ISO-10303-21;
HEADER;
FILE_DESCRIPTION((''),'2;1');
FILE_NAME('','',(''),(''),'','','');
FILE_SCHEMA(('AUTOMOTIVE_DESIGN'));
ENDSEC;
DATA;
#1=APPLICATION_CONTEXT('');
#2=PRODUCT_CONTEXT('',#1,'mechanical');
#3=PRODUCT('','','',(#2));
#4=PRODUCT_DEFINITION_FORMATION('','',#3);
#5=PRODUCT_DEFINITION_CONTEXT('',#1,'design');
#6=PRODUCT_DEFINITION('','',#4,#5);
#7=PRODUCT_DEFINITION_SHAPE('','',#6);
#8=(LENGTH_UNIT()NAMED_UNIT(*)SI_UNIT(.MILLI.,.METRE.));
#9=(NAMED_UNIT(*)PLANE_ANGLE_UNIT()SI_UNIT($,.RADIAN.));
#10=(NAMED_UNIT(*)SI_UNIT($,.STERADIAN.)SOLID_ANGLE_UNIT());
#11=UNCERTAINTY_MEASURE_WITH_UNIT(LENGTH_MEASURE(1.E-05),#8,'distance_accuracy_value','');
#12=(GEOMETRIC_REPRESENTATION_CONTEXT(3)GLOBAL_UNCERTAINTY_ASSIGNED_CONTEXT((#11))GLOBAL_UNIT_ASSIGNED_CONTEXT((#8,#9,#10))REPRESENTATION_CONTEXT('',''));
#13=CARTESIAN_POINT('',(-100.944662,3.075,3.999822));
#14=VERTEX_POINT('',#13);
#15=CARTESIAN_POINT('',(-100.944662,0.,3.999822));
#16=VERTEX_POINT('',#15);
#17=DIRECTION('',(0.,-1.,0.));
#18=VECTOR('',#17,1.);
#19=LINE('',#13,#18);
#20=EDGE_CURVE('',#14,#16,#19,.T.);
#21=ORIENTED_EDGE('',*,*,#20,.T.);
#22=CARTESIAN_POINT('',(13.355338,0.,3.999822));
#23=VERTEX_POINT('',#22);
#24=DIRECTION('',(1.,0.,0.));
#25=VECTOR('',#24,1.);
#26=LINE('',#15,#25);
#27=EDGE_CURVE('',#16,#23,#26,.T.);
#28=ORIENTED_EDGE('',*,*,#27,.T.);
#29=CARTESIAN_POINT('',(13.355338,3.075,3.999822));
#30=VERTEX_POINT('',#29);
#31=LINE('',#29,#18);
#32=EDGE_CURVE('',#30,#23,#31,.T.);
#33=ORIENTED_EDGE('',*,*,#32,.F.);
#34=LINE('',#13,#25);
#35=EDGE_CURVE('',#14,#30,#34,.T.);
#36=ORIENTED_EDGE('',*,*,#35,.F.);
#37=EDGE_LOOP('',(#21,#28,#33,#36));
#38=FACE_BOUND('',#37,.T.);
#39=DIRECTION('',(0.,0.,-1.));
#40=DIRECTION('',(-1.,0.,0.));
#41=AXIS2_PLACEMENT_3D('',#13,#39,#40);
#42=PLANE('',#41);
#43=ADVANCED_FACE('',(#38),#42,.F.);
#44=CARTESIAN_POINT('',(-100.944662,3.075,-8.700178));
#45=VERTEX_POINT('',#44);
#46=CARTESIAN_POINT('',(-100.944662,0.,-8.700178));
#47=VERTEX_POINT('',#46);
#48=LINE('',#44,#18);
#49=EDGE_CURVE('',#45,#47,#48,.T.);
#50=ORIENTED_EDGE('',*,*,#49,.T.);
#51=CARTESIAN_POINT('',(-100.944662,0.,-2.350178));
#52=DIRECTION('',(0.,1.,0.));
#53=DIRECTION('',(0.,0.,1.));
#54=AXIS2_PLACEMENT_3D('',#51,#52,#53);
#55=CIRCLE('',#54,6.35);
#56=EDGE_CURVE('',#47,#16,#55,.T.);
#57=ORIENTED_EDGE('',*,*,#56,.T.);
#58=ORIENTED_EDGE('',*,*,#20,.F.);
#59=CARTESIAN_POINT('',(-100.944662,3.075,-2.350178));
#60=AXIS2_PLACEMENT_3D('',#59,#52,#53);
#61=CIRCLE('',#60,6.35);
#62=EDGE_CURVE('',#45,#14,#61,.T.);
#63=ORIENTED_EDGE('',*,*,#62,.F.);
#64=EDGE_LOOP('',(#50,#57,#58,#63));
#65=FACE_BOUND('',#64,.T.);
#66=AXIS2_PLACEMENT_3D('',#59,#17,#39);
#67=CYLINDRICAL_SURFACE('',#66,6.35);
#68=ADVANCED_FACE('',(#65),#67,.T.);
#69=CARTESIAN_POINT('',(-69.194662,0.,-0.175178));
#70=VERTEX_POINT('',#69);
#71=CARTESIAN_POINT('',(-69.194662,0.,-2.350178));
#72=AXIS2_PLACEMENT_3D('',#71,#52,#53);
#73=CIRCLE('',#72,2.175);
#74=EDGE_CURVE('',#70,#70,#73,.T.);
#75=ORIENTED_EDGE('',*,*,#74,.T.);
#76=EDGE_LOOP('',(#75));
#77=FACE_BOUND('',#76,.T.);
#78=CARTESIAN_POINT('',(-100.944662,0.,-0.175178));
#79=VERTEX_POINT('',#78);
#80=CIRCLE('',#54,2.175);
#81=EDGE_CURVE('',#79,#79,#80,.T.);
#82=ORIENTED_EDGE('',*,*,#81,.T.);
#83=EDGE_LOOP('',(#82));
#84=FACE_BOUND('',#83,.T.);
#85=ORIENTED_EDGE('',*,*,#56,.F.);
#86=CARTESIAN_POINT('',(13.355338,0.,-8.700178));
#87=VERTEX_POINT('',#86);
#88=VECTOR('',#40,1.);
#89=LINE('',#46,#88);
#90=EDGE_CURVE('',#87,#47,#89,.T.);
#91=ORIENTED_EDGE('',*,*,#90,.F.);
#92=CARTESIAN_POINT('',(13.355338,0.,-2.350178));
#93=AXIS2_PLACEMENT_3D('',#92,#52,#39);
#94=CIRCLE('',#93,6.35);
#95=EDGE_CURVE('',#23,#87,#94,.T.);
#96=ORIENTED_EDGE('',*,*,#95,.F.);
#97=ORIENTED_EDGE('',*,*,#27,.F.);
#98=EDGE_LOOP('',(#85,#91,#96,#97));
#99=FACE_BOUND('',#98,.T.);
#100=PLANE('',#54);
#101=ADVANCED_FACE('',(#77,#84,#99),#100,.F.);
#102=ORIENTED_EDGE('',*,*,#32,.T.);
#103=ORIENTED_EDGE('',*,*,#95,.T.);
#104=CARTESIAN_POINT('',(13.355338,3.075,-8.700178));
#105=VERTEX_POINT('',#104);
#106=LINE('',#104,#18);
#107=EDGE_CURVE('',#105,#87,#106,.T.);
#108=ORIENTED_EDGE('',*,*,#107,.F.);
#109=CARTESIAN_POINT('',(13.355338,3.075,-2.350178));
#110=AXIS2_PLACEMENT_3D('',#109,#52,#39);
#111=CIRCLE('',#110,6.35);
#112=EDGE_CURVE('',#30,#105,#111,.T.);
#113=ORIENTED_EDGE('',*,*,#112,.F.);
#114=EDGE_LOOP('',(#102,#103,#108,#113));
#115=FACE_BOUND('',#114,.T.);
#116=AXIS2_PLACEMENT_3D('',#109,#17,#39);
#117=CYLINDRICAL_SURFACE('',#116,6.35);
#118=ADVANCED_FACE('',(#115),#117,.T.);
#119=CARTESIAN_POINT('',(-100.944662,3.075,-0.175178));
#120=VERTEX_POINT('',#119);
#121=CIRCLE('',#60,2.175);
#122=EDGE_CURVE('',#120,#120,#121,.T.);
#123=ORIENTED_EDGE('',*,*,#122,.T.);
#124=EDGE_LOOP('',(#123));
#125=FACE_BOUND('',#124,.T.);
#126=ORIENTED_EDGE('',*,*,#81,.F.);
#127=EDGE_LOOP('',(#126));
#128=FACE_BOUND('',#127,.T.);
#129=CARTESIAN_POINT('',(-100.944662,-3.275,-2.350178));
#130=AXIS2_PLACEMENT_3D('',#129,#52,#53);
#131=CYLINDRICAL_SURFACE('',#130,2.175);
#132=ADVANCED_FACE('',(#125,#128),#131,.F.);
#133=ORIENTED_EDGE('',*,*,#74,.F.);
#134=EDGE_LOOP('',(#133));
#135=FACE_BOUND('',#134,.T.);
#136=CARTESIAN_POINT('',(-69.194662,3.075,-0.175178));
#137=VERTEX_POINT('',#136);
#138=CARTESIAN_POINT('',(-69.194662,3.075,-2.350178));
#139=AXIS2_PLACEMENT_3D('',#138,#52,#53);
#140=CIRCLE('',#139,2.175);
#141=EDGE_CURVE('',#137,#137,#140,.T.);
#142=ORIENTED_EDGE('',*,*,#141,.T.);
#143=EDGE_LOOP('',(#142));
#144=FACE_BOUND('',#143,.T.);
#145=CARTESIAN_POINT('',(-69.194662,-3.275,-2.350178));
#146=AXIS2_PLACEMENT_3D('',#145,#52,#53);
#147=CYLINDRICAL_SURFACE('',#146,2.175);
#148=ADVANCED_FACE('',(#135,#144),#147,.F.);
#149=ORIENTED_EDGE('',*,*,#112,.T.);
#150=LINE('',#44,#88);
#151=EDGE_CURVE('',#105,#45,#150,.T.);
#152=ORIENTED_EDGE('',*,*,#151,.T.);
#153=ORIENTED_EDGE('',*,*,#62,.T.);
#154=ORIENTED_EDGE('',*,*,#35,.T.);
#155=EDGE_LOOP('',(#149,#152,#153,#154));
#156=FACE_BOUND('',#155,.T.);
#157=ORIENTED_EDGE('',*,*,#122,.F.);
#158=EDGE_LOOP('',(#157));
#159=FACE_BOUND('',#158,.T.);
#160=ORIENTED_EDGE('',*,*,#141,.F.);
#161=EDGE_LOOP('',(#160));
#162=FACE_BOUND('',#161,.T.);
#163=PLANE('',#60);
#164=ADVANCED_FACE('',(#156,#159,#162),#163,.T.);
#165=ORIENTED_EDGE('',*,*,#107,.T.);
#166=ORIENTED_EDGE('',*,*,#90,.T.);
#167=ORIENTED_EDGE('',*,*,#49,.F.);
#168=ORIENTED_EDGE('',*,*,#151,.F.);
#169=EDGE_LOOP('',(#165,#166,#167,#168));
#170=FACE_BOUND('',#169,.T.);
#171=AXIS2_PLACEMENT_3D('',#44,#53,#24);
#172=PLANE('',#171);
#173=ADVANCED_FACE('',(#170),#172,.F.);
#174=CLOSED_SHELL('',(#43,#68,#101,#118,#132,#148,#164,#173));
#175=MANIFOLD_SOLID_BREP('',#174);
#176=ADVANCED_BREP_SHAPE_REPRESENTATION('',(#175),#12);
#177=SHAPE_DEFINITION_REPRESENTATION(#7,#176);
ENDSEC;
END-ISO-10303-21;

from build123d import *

# Parameters (mm, degrees)
BOSS_EXTRUDE1_DEPTH = 3.075
SKETCH2_R           = 2.175
CUT_EXTRUDE2_DEPTH  = 6.35


with BuildPart() as part:
    # Sketch1 → Boss-Extrude1 (new body)
    with BuildSketch(Plane(origin=(0, 0, 0), x_dir=(1, 0, 0), z_dir=(0, 1, 0))):
        with BuildLine():
            Line((-100.944661922, 8.700177936), (13.355338078, 8.700177936))
            ThreePointArc((13.355338078, 8.700177936), (19.705338078, 2.350177936), (13.355338078, -3.999822064))
            Line((13.355338078, -3.999822064), (-100.944661922, -3.999822064))
            ThreePointArc((-100.944661922, -3.999822064), (-107.294661922, 2.350177936), (-100.944661922, 8.700177936))
        make_face()
    extrude(amount=BOSS_EXTRUDE1_DEPTH)

    # Sketch2 → Cut-Extrude2 (cut)
    with BuildSketch(Plane(origin=(0, 3.075, 0), x_dir=(1, 0, 0), z_dir=(0, 1, 0))):
        with Locations(Location((-100.944661922, 2.350177936, 0), (0, 0, 270))):
            Circle(SKETCH2_R)
        with Locations(Location((-69.194661922, 2.350177936, 0), (0, 0, 270))):
            Circle(SKETCH2_R)
    extrude(amount=-CUT_EXTRUDE2_DEPTH, mode=Mode.SUBTRACT)


solid = part.part
